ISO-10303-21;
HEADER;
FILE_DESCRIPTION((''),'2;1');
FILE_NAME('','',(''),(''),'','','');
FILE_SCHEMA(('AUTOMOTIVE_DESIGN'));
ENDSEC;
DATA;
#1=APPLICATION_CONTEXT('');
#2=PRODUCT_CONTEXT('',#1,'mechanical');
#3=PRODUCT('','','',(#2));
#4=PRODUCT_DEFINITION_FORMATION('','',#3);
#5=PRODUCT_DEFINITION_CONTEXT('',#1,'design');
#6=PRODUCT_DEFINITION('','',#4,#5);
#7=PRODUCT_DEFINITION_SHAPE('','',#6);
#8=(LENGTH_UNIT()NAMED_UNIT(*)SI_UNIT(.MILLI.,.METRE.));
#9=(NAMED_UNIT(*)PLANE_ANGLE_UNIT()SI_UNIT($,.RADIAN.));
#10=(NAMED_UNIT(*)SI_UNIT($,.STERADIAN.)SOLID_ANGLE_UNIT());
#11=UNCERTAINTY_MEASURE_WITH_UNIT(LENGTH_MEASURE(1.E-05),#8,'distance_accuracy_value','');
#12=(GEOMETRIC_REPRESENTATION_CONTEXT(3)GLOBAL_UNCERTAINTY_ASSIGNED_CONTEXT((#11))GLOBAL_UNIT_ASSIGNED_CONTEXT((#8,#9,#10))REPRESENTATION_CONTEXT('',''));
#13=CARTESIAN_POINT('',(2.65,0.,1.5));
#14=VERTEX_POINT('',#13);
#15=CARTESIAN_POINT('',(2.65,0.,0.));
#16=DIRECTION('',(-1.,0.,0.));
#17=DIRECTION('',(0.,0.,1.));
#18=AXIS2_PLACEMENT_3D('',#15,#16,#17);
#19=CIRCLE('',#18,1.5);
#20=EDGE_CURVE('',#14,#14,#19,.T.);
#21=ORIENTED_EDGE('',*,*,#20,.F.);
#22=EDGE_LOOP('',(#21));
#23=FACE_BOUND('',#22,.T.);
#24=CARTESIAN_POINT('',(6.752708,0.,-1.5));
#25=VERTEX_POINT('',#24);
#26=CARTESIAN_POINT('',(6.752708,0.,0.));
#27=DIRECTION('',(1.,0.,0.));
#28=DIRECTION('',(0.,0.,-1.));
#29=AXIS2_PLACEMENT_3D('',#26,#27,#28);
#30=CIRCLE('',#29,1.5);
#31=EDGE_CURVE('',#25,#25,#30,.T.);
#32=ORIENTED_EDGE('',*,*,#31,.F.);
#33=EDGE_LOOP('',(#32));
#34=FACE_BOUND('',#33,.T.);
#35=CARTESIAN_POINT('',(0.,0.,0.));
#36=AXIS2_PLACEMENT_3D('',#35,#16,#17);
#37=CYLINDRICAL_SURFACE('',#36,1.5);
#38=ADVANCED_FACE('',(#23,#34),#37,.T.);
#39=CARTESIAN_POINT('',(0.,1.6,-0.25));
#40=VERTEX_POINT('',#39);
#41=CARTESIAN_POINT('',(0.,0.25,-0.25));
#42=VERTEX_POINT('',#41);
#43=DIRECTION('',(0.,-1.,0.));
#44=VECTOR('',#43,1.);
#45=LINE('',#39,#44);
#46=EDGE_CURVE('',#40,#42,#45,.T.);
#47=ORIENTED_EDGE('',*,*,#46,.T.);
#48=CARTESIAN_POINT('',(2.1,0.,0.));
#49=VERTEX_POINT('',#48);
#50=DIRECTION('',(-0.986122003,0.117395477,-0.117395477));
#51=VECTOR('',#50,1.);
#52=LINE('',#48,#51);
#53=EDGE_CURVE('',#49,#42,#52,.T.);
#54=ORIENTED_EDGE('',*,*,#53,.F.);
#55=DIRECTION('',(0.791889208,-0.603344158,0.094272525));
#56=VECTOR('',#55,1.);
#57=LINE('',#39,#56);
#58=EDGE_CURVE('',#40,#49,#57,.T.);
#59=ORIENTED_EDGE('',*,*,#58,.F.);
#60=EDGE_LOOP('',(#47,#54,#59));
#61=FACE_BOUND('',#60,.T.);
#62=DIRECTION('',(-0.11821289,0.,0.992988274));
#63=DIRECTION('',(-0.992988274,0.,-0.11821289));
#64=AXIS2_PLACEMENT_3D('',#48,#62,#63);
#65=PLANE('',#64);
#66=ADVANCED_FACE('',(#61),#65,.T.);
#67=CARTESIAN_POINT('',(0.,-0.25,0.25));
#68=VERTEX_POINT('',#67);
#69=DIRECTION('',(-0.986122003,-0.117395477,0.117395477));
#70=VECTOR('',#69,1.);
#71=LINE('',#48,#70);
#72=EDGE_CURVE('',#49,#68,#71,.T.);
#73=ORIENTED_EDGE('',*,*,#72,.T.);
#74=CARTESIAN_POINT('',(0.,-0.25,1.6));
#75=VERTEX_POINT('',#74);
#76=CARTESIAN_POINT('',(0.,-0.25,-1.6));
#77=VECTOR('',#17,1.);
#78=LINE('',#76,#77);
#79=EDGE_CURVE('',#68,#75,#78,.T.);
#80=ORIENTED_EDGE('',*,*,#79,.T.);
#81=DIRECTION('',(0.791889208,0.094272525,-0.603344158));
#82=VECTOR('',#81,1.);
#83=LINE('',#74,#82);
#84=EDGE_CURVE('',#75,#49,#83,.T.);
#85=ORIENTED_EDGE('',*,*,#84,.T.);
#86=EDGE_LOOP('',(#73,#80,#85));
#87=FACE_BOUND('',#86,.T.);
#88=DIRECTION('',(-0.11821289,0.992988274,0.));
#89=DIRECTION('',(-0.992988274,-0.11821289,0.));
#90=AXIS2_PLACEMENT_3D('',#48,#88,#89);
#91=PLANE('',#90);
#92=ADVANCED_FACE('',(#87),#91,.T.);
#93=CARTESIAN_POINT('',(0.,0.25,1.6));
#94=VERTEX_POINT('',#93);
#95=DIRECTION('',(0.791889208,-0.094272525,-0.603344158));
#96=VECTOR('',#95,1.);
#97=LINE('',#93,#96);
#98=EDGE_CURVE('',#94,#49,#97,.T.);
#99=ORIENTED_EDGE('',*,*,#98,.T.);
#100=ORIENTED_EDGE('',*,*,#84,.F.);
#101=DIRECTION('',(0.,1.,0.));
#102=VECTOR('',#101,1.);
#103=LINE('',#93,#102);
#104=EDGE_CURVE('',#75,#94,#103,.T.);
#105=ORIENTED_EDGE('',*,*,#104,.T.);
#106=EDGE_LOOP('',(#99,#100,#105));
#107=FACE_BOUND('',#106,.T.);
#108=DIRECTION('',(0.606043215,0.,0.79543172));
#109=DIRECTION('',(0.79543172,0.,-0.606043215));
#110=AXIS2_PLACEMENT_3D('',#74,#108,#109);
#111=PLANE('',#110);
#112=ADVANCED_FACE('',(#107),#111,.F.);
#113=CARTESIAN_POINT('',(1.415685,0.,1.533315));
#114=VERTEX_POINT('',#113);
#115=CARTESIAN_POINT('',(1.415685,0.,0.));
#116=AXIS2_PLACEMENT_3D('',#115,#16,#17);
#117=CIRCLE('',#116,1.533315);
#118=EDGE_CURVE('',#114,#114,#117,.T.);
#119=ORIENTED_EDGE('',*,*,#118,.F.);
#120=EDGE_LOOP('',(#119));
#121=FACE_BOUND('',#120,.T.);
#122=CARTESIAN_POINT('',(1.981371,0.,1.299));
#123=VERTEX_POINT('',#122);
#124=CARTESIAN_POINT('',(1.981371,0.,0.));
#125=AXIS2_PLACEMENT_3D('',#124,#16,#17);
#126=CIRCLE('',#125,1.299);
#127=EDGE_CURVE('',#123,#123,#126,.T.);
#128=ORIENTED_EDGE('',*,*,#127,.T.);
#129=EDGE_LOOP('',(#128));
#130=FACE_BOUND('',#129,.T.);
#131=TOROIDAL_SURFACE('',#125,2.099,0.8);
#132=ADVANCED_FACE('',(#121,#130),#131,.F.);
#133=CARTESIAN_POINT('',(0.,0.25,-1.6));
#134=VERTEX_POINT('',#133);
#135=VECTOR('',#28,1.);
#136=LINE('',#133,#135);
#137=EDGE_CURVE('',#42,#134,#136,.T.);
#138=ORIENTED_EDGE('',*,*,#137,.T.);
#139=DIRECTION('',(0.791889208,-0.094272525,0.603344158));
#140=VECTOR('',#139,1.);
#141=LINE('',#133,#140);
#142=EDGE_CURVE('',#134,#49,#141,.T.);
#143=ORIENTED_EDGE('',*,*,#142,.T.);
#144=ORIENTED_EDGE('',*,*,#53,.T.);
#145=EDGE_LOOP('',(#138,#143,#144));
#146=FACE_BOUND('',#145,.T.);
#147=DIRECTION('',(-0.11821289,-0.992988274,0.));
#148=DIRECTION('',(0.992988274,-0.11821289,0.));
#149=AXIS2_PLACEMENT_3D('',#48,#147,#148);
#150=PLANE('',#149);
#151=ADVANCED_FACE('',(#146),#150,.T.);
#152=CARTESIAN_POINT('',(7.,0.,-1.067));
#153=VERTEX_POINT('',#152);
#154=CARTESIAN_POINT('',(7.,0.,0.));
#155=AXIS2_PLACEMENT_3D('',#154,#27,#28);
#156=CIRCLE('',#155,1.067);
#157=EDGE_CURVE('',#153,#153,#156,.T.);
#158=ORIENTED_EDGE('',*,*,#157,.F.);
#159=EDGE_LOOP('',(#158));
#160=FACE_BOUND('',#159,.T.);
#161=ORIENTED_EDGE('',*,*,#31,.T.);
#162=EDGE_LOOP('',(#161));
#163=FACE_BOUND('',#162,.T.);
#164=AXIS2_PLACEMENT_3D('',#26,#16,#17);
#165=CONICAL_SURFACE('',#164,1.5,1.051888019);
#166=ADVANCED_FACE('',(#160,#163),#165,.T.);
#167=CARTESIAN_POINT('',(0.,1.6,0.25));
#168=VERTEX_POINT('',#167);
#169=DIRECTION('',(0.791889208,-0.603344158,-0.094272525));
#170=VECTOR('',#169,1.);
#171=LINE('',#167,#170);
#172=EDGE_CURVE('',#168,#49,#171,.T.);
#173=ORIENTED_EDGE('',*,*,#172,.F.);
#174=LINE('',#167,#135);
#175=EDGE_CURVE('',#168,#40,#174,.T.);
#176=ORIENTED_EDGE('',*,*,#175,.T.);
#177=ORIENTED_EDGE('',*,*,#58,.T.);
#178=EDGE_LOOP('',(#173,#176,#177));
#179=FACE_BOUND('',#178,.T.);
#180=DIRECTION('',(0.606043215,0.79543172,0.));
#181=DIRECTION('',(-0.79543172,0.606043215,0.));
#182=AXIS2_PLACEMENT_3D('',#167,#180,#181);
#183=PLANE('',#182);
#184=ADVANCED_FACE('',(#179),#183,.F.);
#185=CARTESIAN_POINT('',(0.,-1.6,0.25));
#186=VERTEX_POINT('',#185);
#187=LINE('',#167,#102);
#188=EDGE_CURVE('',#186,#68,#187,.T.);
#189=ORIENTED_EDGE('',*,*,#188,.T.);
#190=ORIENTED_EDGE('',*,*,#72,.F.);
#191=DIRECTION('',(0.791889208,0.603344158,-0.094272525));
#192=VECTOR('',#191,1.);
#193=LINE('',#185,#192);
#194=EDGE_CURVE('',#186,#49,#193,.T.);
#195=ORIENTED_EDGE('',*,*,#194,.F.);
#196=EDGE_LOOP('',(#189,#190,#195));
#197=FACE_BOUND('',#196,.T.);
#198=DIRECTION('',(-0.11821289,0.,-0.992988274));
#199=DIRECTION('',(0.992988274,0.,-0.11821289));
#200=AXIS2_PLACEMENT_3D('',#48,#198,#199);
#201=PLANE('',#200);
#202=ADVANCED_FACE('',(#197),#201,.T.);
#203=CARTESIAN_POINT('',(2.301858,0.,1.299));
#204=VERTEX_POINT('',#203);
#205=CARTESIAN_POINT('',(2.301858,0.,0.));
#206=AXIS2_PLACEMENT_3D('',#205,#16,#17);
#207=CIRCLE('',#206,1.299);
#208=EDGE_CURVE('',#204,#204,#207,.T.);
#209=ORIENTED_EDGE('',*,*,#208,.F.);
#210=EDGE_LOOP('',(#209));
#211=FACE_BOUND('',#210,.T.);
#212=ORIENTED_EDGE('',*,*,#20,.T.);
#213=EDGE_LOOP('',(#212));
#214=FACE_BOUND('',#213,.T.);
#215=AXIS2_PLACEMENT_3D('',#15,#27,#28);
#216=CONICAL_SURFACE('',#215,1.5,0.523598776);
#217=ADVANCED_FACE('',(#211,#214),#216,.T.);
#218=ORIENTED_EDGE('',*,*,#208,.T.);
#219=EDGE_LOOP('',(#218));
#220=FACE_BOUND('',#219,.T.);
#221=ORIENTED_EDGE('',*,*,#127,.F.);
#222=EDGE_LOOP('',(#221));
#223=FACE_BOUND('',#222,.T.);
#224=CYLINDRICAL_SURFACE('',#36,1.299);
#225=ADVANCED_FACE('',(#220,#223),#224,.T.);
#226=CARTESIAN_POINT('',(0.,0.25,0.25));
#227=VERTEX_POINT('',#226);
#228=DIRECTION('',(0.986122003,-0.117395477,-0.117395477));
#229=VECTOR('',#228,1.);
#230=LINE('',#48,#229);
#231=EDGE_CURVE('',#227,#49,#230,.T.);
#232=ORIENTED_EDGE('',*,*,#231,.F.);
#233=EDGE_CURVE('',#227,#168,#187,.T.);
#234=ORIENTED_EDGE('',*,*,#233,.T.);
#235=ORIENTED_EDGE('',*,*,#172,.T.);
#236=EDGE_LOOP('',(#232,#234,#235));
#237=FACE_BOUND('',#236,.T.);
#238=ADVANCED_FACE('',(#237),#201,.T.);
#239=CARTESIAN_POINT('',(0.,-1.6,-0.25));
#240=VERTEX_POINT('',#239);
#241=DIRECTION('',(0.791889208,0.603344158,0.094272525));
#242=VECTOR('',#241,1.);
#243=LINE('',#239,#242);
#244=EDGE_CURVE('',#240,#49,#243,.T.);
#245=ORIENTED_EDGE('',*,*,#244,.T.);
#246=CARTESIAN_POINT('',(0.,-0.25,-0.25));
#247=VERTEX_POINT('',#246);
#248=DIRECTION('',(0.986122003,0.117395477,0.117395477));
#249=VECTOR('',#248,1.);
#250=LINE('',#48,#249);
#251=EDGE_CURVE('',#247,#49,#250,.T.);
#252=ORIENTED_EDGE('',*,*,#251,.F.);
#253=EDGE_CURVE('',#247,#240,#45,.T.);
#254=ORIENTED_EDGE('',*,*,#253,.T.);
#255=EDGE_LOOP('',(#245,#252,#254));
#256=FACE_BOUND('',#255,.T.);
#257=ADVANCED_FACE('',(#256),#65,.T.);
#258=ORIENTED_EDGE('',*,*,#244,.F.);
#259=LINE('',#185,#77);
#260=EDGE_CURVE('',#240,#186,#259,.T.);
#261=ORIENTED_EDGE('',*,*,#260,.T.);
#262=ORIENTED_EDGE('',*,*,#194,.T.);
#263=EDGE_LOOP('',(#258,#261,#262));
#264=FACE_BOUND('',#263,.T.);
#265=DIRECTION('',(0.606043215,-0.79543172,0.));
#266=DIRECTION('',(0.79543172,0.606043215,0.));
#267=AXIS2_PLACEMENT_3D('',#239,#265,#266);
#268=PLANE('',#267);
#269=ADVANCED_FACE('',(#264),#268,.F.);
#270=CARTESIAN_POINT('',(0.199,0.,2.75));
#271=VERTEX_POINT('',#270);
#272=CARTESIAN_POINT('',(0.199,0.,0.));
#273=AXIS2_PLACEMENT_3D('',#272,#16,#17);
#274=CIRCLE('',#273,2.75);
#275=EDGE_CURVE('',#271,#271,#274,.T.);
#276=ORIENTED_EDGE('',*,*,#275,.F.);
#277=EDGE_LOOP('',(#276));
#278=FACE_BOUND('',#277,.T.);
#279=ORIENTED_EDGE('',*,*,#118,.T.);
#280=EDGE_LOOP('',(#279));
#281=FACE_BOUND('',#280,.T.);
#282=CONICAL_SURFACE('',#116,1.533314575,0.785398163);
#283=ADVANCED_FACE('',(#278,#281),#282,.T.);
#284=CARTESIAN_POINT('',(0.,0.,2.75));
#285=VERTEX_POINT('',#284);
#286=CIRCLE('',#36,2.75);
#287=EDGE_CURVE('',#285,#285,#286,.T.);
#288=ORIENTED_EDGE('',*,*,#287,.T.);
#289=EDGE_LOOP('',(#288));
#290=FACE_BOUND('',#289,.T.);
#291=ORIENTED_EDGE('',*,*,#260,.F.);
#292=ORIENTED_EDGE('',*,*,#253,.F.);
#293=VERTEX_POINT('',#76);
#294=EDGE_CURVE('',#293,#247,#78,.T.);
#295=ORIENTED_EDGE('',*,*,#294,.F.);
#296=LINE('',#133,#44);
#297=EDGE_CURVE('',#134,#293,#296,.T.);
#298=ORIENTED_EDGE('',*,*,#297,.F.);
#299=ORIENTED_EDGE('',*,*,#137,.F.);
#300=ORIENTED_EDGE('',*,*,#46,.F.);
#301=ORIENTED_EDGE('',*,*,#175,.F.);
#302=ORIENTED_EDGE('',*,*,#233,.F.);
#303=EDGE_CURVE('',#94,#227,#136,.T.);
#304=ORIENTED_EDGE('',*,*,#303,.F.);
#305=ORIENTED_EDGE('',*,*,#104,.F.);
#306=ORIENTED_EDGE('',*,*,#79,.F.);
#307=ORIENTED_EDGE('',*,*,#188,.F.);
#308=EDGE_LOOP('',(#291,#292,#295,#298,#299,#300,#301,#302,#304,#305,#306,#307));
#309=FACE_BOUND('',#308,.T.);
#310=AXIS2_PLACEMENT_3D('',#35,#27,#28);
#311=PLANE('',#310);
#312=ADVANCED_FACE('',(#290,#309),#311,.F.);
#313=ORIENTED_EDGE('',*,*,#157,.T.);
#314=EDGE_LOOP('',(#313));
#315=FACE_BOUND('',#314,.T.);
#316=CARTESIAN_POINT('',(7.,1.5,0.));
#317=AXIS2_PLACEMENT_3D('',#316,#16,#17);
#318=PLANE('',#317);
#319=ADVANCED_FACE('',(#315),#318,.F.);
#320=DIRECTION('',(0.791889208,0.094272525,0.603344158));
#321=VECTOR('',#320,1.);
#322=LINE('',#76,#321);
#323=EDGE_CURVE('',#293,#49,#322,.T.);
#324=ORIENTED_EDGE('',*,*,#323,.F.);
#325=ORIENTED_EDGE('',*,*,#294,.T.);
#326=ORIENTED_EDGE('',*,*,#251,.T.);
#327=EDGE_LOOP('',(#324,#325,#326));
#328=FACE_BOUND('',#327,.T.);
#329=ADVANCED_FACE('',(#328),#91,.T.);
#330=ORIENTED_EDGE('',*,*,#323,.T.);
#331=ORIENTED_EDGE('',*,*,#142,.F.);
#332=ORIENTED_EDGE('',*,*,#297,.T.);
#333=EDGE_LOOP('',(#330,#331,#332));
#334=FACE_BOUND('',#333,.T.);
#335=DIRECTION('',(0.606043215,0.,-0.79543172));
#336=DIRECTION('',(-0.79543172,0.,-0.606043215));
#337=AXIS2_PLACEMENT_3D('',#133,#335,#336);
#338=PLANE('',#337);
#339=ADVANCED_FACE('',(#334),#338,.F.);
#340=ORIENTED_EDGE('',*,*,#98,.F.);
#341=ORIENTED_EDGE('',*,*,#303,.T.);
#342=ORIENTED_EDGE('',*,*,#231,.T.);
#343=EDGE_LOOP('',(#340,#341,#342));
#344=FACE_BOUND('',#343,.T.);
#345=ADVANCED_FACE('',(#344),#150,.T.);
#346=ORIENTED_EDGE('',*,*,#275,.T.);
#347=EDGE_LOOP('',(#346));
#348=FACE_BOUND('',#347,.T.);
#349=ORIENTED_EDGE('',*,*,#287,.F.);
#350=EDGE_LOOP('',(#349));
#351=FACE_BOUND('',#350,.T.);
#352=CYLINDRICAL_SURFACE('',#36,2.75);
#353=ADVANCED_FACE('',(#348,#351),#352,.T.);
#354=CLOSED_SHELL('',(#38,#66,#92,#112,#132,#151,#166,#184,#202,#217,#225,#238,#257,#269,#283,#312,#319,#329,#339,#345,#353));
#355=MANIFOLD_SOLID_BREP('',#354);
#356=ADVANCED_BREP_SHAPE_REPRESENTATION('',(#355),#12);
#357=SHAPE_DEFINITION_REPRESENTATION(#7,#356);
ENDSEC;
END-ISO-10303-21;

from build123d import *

# Parameters (mm, degrees)
PATTERN_CIRCULAR_1_COUNT = 2
PATTERN_CIRCULAR_1_ANGLE = 90


with BuildPart() as part:
    # 草图1 → Revolve 694 (revolve)
    with BuildSketch(Plane.XY, mode=Mode.PRIVATE) as revolve_694_sk:
        with BuildLine():
            Line((0, 0), (0, 2.75))
            Line((0, 2.75), (0.199, 2.75))
            Line((0.199, 2.75), (1.415685425, 1.533314575))
            ThreePointArc((1.415685425, 1.533314575), (1.675224104, 1.359896374), (1.98137085, 1.299))
            Line((1.98137085, 1.299), (2.301857788, 1.299))
            Line((2.301857788, 1.299), (2.65, 1.5))
            Line((2.65, 1.5), (7, 1.5))
            Line((7, 1.5), (7, 0))
            Line((7, 0), (0, 0))
        make_face()
    revolve(revolve_694_sk.sketch.rotate(Axis((0, 0, 0), (1, 0, 0)), 90), axis=Axis((0, 0, 0), (1, 0, 0)))

    # 草图2 → 切除-旋转1 (revolve, cut)
    with BuildSketch(Plane.XY, mode=Mode.PRIVATE) as cut_revolve_1_sk:
        Polygon((6.752708003, 1.5), (7.252708003, 1.5), (7, 1.067), align=None)
    revolve(cut_revolve_1_sk.sketch.rotate(Axis((0, 0, 0), (-1, 0, 0)), 270), axis=Axis((0, 0, 0), (-1, 0, 0)), mode=Mode.SUBTRACT)

    # 草图3 → 切除-放样1 section 0
    with BuildSketch(Plane.ZY, mode=Mode.PRIVATE) as loft_1_s0:
        with BuildLine():
            Line((-1.6, 0.25), (1.6, 0.25))
            Line((1.6, 0.25), (1.6, -0.25))
            Line((1.6, -0.25), (-1.6, -0.25))
            Line((-1.6, -0.25), (-1.6, 0.25))
        make_face()
    loft_1 = loft([loft_1_s0.sketch, Vertex(2.1, 0, 0)], mode=Mode.SUBTRACT)

    # 阵列(圆周)1: 切除-放样1 ×2 about axis
    pattern_circular_1_axis = Axis((0, 0, 0), (1, 0, 0))
    for i in range(1, PATTERN_CIRCULAR_1_COUNT):
        add(loft_1.rotate(pattern_circular_1_axis, i * PATTERN_CIRCULAR_1_ANGLE / (PATTERN_CIRCULAR_1_COUNT - 1)), mode=Mode.SUBTRACT)


solid = part.part
